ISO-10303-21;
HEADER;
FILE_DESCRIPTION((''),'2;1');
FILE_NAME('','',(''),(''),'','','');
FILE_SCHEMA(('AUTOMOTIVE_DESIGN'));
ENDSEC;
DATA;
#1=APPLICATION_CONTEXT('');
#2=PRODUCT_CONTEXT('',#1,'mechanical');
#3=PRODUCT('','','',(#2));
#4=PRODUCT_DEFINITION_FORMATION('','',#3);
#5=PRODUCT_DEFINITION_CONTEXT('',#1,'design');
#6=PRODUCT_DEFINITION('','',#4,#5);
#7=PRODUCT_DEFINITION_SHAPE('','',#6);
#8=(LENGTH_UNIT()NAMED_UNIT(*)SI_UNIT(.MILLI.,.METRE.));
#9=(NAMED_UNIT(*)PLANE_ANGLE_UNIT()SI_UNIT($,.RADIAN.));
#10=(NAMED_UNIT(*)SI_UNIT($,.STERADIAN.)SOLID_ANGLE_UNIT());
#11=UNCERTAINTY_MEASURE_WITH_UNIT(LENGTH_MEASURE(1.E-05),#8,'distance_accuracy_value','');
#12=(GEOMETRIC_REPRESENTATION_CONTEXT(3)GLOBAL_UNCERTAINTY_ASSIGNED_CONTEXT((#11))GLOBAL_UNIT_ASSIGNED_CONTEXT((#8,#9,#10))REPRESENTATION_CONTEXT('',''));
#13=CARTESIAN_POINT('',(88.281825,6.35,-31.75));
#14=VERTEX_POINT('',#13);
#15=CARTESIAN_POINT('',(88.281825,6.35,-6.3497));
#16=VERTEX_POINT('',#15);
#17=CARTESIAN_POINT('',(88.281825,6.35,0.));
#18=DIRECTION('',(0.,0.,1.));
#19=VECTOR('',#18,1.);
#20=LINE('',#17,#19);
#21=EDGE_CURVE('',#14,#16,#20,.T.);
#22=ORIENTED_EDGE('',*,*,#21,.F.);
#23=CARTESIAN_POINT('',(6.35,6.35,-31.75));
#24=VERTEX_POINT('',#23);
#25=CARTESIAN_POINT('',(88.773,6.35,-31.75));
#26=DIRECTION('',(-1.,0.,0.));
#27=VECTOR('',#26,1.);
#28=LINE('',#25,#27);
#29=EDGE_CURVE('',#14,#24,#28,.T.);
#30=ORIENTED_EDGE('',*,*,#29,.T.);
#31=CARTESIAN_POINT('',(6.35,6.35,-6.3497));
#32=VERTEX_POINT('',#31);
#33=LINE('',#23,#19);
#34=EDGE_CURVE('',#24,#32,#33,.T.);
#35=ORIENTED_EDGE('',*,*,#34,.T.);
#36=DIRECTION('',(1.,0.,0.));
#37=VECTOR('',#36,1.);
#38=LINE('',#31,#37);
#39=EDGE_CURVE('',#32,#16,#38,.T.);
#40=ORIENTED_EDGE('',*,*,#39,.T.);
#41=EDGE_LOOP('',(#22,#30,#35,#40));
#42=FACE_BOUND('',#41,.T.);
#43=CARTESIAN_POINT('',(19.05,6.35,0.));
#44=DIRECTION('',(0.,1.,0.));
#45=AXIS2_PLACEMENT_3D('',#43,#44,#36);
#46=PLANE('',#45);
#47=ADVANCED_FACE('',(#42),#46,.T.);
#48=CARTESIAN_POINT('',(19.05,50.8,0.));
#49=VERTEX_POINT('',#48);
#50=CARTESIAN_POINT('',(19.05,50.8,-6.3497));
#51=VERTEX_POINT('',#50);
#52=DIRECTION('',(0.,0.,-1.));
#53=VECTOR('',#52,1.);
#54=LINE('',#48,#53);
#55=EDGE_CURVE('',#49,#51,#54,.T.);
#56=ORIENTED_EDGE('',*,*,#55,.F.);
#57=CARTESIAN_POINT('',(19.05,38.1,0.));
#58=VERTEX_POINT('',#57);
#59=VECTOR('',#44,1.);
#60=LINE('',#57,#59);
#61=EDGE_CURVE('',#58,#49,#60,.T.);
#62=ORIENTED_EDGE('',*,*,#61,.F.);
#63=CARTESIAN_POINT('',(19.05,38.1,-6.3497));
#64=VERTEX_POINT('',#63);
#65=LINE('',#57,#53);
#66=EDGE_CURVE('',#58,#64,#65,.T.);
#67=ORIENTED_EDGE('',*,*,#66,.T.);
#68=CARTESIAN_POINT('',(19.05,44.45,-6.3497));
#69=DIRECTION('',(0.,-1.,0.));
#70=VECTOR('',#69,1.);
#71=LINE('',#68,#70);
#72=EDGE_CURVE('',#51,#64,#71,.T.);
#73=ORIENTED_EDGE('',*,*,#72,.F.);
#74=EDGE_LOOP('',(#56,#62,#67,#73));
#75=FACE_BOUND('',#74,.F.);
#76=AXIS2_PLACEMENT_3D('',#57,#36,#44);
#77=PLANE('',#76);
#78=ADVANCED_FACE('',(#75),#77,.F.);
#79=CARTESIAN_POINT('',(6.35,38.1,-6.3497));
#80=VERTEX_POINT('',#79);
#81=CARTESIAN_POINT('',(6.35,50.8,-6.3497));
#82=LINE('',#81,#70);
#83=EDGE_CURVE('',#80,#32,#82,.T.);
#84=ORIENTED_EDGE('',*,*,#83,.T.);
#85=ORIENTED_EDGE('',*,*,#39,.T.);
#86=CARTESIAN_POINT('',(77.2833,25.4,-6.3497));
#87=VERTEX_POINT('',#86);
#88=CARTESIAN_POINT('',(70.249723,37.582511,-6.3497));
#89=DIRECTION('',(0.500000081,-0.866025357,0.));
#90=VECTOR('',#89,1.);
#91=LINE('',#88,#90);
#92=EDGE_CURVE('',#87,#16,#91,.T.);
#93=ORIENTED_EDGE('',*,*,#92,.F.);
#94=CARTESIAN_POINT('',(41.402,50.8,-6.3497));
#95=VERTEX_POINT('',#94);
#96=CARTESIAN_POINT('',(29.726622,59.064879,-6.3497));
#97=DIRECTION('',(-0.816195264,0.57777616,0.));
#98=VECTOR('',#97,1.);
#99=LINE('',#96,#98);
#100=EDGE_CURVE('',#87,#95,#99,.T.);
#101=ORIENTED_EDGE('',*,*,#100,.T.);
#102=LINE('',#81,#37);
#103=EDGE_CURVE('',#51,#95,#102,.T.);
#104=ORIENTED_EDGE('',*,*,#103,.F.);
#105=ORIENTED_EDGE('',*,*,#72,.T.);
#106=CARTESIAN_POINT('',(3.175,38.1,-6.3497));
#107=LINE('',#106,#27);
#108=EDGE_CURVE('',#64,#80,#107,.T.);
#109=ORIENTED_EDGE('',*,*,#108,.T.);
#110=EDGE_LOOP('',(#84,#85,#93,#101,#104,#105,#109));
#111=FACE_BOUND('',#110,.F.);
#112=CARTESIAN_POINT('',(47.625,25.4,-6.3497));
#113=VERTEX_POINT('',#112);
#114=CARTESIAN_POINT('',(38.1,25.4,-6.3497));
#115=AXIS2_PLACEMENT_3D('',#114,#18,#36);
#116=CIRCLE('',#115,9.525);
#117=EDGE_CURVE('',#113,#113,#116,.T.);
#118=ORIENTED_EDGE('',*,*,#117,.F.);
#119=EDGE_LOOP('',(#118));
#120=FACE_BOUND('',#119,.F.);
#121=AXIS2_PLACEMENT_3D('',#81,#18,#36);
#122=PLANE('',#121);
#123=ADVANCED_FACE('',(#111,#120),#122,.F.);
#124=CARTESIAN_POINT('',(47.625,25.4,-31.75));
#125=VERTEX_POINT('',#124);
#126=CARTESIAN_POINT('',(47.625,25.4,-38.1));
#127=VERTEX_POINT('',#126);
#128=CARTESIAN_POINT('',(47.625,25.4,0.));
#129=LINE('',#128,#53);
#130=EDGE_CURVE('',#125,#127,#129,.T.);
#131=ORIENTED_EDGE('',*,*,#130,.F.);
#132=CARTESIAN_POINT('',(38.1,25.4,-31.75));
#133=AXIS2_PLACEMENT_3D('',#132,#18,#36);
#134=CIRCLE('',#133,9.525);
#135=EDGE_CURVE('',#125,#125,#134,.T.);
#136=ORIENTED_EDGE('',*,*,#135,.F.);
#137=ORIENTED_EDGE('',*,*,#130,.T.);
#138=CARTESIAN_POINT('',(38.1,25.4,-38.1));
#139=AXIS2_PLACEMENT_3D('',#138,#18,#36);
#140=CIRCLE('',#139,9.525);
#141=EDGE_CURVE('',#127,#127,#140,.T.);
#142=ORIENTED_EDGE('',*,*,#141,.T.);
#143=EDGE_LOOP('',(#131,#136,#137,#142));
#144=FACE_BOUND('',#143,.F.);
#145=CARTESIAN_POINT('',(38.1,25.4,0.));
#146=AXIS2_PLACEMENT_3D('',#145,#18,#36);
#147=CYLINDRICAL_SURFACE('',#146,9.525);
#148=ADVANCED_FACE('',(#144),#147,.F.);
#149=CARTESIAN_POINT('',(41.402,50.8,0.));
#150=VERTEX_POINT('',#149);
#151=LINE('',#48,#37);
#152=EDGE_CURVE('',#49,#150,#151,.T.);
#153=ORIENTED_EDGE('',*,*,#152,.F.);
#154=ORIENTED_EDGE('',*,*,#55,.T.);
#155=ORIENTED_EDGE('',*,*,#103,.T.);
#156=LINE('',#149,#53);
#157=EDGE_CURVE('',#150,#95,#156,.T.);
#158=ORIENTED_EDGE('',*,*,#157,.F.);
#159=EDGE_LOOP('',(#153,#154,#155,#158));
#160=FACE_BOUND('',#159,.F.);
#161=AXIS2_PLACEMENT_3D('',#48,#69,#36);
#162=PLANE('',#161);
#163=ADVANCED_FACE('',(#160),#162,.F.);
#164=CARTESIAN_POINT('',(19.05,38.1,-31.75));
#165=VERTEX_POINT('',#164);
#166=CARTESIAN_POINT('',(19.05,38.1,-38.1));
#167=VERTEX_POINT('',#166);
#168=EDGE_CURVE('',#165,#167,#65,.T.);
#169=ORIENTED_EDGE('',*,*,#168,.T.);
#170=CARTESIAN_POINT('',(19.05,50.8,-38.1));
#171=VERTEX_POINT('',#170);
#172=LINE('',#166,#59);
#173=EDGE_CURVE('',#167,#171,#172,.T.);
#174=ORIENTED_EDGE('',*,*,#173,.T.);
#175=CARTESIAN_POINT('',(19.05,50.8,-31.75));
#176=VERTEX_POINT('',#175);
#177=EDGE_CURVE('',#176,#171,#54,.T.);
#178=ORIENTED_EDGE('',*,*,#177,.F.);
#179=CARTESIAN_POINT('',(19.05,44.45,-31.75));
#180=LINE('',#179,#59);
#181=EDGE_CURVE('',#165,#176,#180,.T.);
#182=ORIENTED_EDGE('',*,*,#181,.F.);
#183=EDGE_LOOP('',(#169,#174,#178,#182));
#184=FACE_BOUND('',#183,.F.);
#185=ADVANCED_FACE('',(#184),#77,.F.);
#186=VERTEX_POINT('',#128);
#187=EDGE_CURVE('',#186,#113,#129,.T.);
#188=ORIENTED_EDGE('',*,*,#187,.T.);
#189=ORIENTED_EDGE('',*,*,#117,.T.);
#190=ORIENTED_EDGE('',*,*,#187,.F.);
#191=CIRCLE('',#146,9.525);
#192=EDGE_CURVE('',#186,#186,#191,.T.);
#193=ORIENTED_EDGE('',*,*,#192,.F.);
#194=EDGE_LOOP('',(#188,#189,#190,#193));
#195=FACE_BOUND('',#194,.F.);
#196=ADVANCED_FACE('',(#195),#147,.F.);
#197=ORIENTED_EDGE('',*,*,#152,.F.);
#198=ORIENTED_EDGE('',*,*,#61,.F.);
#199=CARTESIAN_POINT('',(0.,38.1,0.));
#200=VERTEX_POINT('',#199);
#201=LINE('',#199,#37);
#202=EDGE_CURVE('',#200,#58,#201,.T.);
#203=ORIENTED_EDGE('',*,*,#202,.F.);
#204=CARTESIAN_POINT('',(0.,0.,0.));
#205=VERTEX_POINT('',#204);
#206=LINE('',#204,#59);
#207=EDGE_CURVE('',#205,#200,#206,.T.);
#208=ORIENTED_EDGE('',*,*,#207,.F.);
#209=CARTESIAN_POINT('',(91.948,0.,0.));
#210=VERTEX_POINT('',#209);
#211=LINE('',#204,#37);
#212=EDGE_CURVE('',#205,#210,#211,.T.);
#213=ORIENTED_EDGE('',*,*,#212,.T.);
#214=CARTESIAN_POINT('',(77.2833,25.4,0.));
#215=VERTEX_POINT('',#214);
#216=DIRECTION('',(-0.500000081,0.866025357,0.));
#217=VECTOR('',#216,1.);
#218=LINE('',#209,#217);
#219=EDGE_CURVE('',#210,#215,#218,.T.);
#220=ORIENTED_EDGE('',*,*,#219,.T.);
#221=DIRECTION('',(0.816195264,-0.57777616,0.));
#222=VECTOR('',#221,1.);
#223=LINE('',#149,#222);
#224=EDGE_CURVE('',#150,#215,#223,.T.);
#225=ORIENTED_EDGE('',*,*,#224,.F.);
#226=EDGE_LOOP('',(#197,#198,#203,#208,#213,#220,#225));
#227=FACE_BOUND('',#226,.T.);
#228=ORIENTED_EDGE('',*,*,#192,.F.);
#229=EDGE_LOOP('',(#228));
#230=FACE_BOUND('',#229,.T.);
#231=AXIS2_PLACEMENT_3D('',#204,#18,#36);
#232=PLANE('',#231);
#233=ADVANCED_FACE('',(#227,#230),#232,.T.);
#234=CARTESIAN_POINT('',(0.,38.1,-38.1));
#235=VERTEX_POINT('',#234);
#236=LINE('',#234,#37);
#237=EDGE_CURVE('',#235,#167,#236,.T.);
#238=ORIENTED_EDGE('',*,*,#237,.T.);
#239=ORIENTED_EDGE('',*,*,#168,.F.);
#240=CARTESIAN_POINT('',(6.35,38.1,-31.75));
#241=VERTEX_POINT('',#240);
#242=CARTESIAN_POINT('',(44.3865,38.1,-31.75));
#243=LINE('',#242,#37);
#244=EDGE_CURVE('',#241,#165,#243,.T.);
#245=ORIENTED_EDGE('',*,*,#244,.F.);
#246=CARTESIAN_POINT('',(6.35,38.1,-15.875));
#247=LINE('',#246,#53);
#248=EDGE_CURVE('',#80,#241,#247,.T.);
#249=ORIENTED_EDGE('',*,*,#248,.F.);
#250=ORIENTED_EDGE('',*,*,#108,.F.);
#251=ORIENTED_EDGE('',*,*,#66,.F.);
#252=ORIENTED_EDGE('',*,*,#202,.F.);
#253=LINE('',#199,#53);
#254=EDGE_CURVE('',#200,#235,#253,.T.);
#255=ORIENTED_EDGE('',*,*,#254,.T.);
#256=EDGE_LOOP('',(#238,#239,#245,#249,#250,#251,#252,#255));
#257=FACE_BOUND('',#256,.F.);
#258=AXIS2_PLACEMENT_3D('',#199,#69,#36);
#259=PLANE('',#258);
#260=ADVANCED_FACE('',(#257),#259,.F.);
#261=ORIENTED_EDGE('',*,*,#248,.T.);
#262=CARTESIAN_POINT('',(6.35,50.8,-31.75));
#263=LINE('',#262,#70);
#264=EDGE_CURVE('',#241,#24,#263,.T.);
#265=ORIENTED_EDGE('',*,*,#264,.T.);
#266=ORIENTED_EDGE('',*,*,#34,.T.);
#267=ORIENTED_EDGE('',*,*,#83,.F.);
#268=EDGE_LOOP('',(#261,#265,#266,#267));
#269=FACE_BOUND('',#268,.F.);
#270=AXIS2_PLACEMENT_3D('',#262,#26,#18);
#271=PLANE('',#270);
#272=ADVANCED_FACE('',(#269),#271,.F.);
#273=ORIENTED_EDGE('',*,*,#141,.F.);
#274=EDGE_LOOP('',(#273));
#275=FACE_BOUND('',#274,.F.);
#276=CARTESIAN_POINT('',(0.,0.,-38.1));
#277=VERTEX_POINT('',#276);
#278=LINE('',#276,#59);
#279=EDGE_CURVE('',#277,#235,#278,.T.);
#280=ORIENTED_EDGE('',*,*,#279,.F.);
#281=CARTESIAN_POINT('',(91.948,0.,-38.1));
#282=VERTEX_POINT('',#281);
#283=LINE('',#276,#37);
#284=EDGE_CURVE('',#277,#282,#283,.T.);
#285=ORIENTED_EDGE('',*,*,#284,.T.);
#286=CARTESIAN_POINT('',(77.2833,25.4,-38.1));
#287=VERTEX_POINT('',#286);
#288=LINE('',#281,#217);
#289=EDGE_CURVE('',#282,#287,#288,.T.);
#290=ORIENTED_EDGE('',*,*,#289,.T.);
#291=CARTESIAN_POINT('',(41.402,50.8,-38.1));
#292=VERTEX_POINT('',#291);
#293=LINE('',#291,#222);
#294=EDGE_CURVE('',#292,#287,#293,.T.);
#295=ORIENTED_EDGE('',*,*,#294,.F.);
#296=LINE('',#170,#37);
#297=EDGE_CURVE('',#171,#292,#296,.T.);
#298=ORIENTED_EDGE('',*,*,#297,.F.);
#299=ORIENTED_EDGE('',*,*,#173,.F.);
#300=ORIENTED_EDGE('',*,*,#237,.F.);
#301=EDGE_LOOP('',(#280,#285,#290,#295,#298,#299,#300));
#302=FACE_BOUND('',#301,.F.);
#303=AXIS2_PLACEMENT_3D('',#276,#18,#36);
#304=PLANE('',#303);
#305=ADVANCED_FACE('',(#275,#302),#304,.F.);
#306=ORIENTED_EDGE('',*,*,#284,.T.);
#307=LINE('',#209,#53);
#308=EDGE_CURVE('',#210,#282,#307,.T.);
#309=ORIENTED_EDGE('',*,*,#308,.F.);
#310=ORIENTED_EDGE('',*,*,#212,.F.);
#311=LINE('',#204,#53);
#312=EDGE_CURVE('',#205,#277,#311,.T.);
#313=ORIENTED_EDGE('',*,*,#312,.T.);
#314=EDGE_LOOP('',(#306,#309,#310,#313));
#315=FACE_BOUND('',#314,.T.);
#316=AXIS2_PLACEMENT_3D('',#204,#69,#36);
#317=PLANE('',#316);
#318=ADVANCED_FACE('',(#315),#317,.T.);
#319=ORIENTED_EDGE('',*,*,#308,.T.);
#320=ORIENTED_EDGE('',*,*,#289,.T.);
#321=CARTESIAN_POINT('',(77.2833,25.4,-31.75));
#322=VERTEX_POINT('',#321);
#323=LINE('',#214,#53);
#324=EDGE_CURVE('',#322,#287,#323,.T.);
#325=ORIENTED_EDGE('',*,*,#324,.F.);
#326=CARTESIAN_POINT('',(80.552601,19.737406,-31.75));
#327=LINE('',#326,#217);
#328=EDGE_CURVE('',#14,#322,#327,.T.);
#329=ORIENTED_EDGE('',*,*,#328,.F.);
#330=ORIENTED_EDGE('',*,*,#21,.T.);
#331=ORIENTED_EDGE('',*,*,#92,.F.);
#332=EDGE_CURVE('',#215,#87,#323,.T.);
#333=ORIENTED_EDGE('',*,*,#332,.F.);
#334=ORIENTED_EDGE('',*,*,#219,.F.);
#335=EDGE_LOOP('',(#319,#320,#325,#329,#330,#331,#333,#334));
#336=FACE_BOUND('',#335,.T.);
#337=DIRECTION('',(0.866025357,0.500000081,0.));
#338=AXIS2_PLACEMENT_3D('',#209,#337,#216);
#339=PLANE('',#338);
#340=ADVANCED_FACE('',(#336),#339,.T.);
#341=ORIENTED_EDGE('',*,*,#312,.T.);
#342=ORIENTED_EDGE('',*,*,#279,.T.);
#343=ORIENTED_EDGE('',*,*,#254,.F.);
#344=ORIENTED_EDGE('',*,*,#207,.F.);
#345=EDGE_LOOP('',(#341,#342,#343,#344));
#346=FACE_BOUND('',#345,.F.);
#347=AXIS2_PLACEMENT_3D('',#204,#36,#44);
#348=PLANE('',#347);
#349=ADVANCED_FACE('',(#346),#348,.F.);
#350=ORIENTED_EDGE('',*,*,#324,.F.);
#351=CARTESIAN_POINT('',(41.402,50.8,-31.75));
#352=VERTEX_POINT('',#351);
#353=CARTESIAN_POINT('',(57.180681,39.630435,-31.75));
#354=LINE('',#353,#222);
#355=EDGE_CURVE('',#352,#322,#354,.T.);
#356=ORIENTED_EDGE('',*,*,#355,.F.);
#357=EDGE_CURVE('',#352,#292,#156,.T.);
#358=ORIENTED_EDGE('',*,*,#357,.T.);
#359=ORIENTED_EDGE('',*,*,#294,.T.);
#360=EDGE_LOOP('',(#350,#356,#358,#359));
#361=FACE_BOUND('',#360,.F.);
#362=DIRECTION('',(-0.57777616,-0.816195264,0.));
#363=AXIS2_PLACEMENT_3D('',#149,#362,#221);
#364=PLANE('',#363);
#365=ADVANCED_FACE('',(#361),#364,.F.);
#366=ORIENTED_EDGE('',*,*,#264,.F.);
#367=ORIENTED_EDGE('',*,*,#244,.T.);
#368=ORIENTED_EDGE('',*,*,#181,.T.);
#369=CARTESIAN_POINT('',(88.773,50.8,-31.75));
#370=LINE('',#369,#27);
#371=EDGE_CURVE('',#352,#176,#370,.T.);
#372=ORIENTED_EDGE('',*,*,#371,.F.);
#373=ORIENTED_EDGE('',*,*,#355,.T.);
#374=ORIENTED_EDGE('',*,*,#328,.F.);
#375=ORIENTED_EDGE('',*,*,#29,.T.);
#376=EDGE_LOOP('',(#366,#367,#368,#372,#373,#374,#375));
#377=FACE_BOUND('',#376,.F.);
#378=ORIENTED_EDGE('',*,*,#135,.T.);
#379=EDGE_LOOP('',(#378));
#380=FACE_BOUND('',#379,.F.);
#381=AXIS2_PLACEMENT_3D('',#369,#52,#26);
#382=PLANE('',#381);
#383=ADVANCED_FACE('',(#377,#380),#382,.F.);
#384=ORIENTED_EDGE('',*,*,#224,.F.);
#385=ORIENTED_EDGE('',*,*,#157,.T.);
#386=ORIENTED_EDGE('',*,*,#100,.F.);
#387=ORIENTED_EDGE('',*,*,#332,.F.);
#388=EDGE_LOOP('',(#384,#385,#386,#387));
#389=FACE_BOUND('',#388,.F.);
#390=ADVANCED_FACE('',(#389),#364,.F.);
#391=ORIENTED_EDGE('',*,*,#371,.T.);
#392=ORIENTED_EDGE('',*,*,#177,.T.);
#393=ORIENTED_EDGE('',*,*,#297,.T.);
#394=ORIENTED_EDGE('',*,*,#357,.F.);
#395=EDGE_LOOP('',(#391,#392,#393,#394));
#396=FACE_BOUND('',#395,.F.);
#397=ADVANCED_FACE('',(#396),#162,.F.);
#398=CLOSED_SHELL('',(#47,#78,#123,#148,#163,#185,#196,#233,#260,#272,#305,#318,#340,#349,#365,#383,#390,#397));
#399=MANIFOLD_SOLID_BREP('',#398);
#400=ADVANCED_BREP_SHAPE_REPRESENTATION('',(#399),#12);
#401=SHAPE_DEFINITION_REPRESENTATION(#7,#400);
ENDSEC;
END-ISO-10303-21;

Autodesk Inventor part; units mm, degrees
ref_plane "YZ Plane" through (0, 0, 0) normal (1, 0, 0) x (0, 1, 0)
ref_plane "XZ Plane" through (0, 0, 0) normal (0, 1, 0) x (-1, 0, 0)
ref_plane "XY Plane" through (0, 0, 0) normal (0, 0, 1) x (1, 0, 0)
sketch "Sketch1" plane through (0, 0, 0) normal (0, 0, 1) x (1, 0, 0)
  line L0 (0, 0) -> (91.948, 0)
  line L1 (0, 0) -> (0, 38.1)
  line L2 (0, 38.1) -> (19.05, 38.1)
  line L3 (19.05, 38.1) -> (19.05, 50.8)
  line L4 (19.05, 50.8) -> (41.402, 50.8)
  line L5 (91.948, 0) -> (77.2833, 25.4)
  line L6 (41.402, 50.8) -> (77.2833, 25.4)
  circle A0 centre (38.1, 25.4) radius 9.525
  dimension "d0" = 91.948
  dimension "d1" = 38.1
  dimension "d2" = 19.05
  dimension "d3" = 12.7
  dimension "d4" = 22.352
  dimension "d6" = 60
  dimension "d9" = 19.05
extrude "Extrusion5" add sketch "Sketch1" against normal blind 38.1
sketch "Sketch10" plane through (19.05, 50.8, 0) normal (0, 1, 0) x (1, 0, 0)
  line L0 (69.723, 6.3497) -> (69.723, 31.75)
  line L1 (69.723, 31.75) -> (-12.7, 31.75)
  line L2 (-12.7, 31.75) -> (-12.7, 6.3497)
  line L3 (-12.7, 6.3497) -> (69.723, 6.3497)
  point P0 (-19.05, 0)
extrude "Extrusion7" cut sketch "Sketch10" against normal blind 44.45
properties part number "Assignment 1.4 - Guide Block"
